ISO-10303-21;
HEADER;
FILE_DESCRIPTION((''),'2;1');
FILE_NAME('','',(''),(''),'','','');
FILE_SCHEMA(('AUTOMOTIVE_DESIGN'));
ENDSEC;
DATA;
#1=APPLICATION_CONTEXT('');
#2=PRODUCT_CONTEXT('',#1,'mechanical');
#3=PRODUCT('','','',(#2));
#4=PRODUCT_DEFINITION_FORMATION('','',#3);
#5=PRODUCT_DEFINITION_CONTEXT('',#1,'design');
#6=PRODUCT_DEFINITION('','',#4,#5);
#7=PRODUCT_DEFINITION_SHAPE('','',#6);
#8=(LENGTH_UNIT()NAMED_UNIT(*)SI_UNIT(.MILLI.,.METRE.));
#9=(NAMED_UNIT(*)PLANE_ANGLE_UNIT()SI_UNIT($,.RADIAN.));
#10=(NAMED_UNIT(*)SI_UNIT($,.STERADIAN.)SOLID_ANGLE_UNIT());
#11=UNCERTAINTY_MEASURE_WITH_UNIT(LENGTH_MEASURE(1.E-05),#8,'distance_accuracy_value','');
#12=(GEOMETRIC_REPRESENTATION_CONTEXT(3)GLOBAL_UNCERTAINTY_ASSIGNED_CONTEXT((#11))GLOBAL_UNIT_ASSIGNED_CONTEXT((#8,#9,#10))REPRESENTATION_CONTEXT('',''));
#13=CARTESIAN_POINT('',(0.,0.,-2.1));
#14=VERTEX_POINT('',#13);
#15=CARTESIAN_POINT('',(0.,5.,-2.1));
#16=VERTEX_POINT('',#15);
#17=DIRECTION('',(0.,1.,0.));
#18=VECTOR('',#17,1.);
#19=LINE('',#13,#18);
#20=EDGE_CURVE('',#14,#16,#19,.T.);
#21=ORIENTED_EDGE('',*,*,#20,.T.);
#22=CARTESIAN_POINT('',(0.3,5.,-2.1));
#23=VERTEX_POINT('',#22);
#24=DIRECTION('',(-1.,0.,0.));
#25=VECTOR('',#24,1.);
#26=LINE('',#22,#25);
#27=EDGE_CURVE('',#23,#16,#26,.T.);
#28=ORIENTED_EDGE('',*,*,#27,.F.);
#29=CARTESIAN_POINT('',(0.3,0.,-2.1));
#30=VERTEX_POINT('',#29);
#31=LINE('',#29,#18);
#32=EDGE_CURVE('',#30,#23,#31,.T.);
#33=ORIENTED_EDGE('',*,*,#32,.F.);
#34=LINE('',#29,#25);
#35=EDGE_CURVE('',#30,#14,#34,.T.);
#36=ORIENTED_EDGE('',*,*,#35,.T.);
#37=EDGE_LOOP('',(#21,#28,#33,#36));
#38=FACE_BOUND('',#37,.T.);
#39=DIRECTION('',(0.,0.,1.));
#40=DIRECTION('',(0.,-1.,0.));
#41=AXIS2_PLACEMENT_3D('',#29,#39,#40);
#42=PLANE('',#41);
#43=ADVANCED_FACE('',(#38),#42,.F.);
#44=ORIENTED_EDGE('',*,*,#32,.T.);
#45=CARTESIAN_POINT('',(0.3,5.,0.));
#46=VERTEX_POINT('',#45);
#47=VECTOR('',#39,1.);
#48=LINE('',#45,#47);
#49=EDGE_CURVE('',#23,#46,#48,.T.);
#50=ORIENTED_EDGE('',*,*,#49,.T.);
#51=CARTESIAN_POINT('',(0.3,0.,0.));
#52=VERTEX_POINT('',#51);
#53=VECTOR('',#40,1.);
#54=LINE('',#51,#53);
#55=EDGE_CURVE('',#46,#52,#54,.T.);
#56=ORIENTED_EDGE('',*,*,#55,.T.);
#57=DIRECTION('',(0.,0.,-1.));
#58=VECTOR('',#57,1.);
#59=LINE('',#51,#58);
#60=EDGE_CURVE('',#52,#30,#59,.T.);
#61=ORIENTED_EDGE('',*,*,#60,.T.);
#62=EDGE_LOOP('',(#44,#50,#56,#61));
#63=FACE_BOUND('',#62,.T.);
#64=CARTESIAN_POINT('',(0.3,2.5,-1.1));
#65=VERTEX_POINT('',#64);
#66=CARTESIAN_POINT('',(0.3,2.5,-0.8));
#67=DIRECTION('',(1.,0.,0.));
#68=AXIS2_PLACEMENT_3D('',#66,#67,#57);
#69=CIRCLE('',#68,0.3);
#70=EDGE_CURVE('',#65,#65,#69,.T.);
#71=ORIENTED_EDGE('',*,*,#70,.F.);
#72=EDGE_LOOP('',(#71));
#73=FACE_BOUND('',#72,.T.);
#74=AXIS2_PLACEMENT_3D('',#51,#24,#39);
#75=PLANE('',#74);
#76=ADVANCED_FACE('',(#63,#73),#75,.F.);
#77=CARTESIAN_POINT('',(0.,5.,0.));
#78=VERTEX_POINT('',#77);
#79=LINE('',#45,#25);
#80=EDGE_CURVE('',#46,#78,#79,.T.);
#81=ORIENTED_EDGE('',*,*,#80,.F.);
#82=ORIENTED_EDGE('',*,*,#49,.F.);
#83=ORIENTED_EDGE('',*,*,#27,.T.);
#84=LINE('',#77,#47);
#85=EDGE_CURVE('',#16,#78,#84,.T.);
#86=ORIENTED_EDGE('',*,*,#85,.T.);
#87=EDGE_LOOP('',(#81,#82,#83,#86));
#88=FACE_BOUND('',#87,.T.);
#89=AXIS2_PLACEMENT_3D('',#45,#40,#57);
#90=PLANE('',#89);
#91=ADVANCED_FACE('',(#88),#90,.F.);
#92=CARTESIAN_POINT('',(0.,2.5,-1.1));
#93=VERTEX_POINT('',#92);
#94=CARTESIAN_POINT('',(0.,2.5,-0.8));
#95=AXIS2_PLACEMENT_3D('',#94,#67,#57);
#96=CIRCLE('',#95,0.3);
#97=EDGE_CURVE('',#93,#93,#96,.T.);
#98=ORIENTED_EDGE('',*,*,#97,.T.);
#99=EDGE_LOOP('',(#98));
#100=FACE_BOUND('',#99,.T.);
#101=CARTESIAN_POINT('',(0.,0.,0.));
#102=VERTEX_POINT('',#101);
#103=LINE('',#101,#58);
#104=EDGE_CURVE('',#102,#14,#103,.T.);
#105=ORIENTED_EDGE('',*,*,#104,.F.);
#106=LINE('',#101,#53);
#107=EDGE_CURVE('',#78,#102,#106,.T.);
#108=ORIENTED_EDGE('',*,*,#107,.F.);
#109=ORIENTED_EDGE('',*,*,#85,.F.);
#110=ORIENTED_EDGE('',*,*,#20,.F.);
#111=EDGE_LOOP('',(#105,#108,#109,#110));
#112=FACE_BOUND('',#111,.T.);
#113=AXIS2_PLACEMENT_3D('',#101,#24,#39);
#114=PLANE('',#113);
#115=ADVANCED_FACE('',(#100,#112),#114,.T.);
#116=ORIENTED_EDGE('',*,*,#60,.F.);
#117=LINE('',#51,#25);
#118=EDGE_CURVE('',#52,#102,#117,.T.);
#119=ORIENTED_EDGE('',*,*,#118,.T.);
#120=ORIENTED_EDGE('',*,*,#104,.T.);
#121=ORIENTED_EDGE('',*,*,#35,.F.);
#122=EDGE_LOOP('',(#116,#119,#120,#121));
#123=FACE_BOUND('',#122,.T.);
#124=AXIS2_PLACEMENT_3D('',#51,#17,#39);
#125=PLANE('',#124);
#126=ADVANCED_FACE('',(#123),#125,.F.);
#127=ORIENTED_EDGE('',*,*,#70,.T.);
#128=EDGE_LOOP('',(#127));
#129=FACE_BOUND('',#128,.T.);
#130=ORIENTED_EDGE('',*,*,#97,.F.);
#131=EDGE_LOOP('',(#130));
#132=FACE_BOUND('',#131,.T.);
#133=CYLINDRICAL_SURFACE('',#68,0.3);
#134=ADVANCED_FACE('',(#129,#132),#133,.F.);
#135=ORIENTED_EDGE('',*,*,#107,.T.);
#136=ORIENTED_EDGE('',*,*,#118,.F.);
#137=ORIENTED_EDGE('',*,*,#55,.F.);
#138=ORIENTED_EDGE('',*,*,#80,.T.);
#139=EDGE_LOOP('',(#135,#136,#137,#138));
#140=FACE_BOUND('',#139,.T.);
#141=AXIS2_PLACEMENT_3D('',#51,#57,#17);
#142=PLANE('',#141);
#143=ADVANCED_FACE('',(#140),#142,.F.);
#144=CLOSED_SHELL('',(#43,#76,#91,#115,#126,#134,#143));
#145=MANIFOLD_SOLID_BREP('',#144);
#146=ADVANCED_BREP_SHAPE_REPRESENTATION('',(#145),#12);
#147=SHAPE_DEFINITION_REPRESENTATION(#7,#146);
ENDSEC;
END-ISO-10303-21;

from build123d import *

# Parameters (mm, degrees)
SKETCH1_W                  = 2.1
SKETCH1_H                  = 5
BOSS_EXTRUDE1_DEPTH        = 0.3
F_0_6_0_6_DIAMETER_HOLE1_D = 0.6


with BuildPart() as part:
    # Sketch1 → Boss-Extrude1 (new body)
    with BuildSketch(Plane(origin=(0, 0, 0), x_dir=(0, 0, -1), z_dir=(1, 0, 0))):
        with Locations((1.05, 2.5)):
            Rectangle(SKETCH1_W, SKETCH1_H)
    extrude(amount=BOSS_EXTRUDE1_DEPTH)

    # Ø0.6 (0.6) Diameter Hole1 (through all)
    with Locations(Plane(origin=(0.3, 0, 0), x_dir=(0, 0, -1), z_dir=(1, 0, 0))):
        with Locations((0.8, 2.5)):
            Hole(F_0_6_0_6_DIAMETER_HOLE1_D / 2)


solid = part.part
